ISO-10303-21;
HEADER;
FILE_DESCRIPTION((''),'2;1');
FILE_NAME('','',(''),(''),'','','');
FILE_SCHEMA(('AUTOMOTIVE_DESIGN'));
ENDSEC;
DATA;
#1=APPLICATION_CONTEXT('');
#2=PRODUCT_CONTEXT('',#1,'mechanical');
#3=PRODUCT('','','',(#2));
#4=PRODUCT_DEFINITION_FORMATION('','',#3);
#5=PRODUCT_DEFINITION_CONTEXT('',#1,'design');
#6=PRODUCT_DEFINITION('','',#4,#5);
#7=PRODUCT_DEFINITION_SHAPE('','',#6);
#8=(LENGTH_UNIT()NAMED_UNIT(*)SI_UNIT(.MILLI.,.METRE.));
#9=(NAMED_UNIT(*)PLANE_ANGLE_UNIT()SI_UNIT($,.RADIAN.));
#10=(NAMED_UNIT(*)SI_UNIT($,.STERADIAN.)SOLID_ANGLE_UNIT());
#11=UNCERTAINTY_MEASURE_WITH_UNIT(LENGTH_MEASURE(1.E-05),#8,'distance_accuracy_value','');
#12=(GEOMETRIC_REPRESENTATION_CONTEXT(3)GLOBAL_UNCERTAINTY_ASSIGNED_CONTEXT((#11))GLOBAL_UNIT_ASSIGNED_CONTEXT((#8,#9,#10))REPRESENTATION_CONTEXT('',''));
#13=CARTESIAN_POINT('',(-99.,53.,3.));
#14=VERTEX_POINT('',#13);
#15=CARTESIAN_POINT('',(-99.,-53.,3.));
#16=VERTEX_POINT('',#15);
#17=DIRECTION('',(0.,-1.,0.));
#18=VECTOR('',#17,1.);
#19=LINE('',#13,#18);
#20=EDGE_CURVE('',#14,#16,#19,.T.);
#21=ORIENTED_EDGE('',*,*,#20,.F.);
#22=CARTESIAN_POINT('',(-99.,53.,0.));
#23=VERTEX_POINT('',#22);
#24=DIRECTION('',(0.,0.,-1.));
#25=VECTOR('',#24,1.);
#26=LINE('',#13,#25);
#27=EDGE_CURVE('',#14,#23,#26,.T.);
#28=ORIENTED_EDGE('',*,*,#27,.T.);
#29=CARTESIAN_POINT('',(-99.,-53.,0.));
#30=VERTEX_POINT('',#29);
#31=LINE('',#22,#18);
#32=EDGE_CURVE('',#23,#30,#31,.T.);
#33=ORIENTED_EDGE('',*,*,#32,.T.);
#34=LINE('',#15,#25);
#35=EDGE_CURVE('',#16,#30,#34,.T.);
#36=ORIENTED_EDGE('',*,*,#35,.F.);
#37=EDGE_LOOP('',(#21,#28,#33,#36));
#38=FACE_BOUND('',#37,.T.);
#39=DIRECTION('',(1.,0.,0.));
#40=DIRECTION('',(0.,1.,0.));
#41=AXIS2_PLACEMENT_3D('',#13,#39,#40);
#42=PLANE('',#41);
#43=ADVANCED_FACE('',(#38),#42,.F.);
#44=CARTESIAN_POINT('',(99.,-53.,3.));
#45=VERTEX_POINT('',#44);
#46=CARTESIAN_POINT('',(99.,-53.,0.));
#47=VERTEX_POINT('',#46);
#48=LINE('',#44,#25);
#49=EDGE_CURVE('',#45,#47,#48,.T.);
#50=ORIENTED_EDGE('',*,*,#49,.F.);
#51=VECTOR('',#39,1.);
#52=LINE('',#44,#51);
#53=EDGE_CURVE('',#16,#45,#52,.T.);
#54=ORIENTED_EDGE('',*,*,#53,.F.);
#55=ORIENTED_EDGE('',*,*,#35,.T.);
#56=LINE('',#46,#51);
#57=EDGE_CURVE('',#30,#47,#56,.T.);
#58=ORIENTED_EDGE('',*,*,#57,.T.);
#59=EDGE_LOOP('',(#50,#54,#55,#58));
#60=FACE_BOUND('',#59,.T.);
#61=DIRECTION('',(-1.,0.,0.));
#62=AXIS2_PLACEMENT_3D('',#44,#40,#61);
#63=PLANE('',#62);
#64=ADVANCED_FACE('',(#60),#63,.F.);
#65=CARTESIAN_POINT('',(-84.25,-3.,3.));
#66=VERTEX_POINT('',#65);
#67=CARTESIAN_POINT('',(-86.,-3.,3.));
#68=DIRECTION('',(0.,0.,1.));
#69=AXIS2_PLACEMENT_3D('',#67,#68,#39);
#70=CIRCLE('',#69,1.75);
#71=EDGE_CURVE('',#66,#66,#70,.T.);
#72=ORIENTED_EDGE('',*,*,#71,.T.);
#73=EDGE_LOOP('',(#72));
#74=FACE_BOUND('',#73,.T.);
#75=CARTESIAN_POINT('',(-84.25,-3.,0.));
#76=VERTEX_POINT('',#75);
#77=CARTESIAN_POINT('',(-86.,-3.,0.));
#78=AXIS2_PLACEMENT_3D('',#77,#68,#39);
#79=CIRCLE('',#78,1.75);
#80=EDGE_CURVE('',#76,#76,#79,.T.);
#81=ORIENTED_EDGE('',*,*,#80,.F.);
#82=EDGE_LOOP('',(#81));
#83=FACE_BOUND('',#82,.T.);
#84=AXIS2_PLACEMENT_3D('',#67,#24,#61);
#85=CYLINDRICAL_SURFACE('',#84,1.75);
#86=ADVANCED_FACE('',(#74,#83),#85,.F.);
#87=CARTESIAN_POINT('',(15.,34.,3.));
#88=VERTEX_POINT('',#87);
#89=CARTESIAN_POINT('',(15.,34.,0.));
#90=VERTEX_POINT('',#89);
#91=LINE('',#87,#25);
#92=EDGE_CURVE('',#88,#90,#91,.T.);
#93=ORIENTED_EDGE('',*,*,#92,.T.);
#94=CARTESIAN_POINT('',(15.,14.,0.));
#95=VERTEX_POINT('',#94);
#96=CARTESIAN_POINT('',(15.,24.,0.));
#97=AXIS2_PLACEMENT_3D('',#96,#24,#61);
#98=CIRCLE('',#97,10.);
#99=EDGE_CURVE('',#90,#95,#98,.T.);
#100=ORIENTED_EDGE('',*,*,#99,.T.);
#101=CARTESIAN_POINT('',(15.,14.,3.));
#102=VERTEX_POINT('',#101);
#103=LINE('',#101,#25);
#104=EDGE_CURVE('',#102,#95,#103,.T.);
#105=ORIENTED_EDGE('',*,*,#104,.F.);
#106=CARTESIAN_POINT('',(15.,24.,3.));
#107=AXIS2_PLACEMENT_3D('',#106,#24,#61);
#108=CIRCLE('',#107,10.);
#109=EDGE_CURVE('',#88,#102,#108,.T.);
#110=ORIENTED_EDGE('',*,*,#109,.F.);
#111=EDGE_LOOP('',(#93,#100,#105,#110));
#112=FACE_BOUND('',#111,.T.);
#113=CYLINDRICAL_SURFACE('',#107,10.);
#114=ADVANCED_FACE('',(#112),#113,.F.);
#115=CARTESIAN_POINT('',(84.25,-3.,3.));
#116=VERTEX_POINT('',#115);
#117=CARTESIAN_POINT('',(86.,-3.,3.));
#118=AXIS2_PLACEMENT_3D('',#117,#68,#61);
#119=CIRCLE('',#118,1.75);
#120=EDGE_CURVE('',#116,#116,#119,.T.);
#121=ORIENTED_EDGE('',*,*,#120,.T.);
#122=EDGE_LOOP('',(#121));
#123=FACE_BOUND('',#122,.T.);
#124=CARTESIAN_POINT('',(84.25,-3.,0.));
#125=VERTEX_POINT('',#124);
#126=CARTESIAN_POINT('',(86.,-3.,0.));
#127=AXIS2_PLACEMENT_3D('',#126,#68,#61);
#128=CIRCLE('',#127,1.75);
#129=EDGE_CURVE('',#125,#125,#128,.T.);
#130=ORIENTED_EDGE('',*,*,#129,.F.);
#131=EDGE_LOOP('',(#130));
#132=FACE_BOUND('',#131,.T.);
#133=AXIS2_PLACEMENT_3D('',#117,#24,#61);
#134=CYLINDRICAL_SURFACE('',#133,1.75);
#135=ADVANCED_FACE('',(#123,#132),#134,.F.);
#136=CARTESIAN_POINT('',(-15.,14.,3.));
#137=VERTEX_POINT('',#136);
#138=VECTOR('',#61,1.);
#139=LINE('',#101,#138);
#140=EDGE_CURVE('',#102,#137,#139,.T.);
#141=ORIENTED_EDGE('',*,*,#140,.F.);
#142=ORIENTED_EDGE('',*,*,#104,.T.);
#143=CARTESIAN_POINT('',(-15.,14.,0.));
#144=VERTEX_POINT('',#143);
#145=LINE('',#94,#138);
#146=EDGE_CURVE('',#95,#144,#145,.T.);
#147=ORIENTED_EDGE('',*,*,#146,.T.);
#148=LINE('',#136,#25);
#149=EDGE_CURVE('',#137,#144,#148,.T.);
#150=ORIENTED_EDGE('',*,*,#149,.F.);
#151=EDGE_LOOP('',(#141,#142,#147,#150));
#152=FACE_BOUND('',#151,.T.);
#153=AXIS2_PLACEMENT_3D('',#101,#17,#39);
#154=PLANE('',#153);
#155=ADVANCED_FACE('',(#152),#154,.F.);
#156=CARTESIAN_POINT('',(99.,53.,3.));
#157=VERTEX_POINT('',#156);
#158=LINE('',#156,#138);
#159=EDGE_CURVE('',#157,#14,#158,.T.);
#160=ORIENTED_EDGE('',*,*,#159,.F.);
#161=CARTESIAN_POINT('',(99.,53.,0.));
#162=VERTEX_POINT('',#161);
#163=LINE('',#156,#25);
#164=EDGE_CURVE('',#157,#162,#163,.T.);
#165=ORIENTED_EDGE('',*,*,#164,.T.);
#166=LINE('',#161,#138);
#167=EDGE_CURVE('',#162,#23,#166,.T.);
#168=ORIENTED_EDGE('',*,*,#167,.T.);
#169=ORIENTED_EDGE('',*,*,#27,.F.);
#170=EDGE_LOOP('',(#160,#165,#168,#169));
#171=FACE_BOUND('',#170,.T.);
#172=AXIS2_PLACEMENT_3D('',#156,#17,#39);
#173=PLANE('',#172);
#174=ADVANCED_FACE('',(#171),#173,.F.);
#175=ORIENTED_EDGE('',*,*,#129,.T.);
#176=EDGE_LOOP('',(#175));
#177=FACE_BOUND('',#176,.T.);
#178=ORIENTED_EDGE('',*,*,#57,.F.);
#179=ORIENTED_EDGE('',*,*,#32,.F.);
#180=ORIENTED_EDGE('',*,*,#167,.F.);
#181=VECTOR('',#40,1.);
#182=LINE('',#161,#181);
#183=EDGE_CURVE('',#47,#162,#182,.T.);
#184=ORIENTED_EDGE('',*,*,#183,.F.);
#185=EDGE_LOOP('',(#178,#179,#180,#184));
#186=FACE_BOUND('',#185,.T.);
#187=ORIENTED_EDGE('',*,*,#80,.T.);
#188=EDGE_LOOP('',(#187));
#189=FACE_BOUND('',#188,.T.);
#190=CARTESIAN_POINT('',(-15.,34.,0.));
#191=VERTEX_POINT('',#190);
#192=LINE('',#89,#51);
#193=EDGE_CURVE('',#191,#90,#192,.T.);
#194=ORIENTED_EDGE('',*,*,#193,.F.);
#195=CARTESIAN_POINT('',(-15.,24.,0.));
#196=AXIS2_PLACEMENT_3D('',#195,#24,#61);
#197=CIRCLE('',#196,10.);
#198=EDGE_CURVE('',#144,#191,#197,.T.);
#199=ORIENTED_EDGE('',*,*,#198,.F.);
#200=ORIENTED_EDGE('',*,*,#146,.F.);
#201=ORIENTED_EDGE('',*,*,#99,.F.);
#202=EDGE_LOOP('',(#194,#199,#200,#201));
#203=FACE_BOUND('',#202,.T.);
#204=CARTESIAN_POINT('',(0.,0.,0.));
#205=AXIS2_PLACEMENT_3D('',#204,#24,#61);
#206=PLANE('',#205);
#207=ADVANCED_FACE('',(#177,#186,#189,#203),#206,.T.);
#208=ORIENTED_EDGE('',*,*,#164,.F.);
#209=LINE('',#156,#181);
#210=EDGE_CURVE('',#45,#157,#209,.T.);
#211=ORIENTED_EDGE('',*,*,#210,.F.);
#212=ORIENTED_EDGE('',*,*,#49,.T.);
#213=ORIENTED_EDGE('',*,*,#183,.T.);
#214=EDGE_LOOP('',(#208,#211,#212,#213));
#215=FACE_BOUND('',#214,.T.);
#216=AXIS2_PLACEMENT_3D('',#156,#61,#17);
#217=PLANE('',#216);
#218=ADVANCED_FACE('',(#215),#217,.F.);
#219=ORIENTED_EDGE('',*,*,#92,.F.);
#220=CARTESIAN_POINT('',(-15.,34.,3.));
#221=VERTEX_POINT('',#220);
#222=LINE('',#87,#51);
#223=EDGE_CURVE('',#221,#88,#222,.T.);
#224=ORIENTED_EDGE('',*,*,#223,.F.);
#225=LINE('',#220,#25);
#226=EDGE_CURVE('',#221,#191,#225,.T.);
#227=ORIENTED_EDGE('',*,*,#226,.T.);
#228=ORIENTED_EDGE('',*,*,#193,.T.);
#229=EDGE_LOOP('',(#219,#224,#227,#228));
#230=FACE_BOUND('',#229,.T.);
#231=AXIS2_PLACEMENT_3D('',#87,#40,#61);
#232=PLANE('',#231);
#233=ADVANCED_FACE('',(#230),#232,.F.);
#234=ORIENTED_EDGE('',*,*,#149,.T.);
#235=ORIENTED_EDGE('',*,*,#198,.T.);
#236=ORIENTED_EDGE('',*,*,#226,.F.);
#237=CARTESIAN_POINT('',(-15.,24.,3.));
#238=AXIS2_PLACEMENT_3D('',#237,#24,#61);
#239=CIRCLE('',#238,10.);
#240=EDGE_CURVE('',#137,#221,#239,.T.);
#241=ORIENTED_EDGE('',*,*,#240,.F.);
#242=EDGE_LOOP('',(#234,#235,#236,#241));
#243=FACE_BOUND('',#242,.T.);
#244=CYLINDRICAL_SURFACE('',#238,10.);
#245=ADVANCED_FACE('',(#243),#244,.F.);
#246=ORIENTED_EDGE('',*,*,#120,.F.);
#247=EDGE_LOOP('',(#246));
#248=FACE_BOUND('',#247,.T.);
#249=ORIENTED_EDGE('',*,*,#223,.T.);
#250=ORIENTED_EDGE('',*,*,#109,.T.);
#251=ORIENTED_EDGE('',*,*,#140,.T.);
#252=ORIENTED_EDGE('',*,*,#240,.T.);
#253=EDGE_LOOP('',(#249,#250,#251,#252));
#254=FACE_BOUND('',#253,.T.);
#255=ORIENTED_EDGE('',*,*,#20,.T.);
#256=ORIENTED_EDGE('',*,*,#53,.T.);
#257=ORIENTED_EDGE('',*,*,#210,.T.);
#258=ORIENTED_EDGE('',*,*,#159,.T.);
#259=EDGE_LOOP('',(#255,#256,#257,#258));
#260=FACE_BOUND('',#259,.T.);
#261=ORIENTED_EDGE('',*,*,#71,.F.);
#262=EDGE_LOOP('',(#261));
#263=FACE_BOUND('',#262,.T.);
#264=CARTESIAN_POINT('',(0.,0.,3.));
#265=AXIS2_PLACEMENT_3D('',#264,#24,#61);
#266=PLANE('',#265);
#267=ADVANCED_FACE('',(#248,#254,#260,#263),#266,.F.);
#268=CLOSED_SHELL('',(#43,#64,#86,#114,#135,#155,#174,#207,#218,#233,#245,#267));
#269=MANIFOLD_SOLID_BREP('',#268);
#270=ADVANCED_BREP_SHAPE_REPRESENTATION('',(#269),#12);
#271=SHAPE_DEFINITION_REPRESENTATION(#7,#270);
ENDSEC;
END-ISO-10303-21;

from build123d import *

# Parameters (mm, degrees)
ESQUISSE1_W             = 198
ESQUISSE1_H             = 106
ESQUISSE1_R             = 1.75
BOSS_EXTRU_1_DEPTH      = 3
ENL_V_MAT_EXTRU_1_DEPTH = 4


with BuildPart() as part:
    # Esquisse1 → Boss.-Extru.1 (new body)
    with BuildSketch(Plane.XY):
        Rectangle(ESQUISSE1_W, ESQUISSE1_H)
        with Locations((-86, -3)):
            Circle(ESQUISSE1_R, mode=Mode.SUBTRACT)
        with Locations((86, -3)):
            Circle(ESQUISSE1_R, mode=Mode.SUBTRACT)
    extrude(amount=BOSS_EXTRU_1_DEPTH)

    # Esquisse2 → Enlèv. mat.-Extru.1 (cut, through all)
    with BuildSketch(Plane(origin=(0, 0, 0), x_dir=(-1, 0, 0), z_dir=(0, 0, -1))):
        with BuildLine():
            Line((-15, 34), (15, 34))
            ThreePointArc((15, 34), (25, 24), (15, 14))
            Line((15, 14), (-15, 14))
            ThreePointArc((-15, 14), (-25, 24), (-15, 34))
        make_face()
    extrude(amount=-ENL_V_MAT_EXTRU_1_DEPTH, mode=Mode.SUBTRACT)


solid = part.part
